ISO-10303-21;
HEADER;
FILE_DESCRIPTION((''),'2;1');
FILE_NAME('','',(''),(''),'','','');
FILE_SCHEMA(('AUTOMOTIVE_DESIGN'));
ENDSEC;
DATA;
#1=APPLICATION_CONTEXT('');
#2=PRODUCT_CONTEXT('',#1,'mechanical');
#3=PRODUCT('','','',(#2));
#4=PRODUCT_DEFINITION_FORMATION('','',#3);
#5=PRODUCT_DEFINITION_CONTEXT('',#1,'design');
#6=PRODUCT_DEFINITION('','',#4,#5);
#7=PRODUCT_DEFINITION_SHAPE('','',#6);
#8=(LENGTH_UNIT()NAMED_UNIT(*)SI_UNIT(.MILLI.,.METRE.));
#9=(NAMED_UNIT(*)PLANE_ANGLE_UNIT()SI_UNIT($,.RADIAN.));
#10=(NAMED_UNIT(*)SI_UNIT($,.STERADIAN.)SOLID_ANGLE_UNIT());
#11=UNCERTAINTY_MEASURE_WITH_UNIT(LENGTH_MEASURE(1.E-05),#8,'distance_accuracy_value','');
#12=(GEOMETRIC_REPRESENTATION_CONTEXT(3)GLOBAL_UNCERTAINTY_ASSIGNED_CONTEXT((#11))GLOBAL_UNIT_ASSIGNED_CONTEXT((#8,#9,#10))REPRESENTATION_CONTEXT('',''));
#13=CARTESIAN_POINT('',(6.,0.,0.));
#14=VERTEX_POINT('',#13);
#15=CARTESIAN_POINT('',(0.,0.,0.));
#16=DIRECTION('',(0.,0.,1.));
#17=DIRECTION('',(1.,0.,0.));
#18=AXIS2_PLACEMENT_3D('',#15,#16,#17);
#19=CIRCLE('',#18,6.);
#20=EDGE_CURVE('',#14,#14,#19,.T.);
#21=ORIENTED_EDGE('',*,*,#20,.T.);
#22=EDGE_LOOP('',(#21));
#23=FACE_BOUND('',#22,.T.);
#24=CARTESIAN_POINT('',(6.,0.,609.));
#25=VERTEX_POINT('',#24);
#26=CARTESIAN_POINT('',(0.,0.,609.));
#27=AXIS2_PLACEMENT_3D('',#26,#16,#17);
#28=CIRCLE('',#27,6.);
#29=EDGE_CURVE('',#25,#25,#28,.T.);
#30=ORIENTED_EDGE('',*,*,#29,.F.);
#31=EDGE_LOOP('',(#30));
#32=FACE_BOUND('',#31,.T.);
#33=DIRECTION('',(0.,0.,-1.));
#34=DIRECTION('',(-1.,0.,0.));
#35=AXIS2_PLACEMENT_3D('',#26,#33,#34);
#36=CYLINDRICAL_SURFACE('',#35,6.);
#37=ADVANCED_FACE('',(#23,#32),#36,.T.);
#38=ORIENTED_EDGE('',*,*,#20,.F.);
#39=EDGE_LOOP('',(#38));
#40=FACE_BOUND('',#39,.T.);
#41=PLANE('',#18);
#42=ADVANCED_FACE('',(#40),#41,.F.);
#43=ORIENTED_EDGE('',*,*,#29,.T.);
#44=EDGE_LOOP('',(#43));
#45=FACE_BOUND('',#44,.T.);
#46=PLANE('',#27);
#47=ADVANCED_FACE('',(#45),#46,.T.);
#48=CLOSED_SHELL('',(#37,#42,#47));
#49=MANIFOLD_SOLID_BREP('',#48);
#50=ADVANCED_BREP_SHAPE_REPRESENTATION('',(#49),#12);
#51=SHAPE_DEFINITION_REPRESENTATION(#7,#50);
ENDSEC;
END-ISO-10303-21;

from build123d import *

# Parameters (mm, degrees)
IZIM1_R                     = 6
Y_KSEKLIK_EKSTR_ZYON1_DEPTH = 609


with BuildPart() as part:
    # Çizim1 → Yükseklik-Ekstrüzyon1 (new body)
    with BuildSketch(Plane.XY):
        Circle(IZIM1_R)
    extrude(amount=Y_KSEKLIK_EKSTR_ZYON1_DEPTH)


solid = part.part
